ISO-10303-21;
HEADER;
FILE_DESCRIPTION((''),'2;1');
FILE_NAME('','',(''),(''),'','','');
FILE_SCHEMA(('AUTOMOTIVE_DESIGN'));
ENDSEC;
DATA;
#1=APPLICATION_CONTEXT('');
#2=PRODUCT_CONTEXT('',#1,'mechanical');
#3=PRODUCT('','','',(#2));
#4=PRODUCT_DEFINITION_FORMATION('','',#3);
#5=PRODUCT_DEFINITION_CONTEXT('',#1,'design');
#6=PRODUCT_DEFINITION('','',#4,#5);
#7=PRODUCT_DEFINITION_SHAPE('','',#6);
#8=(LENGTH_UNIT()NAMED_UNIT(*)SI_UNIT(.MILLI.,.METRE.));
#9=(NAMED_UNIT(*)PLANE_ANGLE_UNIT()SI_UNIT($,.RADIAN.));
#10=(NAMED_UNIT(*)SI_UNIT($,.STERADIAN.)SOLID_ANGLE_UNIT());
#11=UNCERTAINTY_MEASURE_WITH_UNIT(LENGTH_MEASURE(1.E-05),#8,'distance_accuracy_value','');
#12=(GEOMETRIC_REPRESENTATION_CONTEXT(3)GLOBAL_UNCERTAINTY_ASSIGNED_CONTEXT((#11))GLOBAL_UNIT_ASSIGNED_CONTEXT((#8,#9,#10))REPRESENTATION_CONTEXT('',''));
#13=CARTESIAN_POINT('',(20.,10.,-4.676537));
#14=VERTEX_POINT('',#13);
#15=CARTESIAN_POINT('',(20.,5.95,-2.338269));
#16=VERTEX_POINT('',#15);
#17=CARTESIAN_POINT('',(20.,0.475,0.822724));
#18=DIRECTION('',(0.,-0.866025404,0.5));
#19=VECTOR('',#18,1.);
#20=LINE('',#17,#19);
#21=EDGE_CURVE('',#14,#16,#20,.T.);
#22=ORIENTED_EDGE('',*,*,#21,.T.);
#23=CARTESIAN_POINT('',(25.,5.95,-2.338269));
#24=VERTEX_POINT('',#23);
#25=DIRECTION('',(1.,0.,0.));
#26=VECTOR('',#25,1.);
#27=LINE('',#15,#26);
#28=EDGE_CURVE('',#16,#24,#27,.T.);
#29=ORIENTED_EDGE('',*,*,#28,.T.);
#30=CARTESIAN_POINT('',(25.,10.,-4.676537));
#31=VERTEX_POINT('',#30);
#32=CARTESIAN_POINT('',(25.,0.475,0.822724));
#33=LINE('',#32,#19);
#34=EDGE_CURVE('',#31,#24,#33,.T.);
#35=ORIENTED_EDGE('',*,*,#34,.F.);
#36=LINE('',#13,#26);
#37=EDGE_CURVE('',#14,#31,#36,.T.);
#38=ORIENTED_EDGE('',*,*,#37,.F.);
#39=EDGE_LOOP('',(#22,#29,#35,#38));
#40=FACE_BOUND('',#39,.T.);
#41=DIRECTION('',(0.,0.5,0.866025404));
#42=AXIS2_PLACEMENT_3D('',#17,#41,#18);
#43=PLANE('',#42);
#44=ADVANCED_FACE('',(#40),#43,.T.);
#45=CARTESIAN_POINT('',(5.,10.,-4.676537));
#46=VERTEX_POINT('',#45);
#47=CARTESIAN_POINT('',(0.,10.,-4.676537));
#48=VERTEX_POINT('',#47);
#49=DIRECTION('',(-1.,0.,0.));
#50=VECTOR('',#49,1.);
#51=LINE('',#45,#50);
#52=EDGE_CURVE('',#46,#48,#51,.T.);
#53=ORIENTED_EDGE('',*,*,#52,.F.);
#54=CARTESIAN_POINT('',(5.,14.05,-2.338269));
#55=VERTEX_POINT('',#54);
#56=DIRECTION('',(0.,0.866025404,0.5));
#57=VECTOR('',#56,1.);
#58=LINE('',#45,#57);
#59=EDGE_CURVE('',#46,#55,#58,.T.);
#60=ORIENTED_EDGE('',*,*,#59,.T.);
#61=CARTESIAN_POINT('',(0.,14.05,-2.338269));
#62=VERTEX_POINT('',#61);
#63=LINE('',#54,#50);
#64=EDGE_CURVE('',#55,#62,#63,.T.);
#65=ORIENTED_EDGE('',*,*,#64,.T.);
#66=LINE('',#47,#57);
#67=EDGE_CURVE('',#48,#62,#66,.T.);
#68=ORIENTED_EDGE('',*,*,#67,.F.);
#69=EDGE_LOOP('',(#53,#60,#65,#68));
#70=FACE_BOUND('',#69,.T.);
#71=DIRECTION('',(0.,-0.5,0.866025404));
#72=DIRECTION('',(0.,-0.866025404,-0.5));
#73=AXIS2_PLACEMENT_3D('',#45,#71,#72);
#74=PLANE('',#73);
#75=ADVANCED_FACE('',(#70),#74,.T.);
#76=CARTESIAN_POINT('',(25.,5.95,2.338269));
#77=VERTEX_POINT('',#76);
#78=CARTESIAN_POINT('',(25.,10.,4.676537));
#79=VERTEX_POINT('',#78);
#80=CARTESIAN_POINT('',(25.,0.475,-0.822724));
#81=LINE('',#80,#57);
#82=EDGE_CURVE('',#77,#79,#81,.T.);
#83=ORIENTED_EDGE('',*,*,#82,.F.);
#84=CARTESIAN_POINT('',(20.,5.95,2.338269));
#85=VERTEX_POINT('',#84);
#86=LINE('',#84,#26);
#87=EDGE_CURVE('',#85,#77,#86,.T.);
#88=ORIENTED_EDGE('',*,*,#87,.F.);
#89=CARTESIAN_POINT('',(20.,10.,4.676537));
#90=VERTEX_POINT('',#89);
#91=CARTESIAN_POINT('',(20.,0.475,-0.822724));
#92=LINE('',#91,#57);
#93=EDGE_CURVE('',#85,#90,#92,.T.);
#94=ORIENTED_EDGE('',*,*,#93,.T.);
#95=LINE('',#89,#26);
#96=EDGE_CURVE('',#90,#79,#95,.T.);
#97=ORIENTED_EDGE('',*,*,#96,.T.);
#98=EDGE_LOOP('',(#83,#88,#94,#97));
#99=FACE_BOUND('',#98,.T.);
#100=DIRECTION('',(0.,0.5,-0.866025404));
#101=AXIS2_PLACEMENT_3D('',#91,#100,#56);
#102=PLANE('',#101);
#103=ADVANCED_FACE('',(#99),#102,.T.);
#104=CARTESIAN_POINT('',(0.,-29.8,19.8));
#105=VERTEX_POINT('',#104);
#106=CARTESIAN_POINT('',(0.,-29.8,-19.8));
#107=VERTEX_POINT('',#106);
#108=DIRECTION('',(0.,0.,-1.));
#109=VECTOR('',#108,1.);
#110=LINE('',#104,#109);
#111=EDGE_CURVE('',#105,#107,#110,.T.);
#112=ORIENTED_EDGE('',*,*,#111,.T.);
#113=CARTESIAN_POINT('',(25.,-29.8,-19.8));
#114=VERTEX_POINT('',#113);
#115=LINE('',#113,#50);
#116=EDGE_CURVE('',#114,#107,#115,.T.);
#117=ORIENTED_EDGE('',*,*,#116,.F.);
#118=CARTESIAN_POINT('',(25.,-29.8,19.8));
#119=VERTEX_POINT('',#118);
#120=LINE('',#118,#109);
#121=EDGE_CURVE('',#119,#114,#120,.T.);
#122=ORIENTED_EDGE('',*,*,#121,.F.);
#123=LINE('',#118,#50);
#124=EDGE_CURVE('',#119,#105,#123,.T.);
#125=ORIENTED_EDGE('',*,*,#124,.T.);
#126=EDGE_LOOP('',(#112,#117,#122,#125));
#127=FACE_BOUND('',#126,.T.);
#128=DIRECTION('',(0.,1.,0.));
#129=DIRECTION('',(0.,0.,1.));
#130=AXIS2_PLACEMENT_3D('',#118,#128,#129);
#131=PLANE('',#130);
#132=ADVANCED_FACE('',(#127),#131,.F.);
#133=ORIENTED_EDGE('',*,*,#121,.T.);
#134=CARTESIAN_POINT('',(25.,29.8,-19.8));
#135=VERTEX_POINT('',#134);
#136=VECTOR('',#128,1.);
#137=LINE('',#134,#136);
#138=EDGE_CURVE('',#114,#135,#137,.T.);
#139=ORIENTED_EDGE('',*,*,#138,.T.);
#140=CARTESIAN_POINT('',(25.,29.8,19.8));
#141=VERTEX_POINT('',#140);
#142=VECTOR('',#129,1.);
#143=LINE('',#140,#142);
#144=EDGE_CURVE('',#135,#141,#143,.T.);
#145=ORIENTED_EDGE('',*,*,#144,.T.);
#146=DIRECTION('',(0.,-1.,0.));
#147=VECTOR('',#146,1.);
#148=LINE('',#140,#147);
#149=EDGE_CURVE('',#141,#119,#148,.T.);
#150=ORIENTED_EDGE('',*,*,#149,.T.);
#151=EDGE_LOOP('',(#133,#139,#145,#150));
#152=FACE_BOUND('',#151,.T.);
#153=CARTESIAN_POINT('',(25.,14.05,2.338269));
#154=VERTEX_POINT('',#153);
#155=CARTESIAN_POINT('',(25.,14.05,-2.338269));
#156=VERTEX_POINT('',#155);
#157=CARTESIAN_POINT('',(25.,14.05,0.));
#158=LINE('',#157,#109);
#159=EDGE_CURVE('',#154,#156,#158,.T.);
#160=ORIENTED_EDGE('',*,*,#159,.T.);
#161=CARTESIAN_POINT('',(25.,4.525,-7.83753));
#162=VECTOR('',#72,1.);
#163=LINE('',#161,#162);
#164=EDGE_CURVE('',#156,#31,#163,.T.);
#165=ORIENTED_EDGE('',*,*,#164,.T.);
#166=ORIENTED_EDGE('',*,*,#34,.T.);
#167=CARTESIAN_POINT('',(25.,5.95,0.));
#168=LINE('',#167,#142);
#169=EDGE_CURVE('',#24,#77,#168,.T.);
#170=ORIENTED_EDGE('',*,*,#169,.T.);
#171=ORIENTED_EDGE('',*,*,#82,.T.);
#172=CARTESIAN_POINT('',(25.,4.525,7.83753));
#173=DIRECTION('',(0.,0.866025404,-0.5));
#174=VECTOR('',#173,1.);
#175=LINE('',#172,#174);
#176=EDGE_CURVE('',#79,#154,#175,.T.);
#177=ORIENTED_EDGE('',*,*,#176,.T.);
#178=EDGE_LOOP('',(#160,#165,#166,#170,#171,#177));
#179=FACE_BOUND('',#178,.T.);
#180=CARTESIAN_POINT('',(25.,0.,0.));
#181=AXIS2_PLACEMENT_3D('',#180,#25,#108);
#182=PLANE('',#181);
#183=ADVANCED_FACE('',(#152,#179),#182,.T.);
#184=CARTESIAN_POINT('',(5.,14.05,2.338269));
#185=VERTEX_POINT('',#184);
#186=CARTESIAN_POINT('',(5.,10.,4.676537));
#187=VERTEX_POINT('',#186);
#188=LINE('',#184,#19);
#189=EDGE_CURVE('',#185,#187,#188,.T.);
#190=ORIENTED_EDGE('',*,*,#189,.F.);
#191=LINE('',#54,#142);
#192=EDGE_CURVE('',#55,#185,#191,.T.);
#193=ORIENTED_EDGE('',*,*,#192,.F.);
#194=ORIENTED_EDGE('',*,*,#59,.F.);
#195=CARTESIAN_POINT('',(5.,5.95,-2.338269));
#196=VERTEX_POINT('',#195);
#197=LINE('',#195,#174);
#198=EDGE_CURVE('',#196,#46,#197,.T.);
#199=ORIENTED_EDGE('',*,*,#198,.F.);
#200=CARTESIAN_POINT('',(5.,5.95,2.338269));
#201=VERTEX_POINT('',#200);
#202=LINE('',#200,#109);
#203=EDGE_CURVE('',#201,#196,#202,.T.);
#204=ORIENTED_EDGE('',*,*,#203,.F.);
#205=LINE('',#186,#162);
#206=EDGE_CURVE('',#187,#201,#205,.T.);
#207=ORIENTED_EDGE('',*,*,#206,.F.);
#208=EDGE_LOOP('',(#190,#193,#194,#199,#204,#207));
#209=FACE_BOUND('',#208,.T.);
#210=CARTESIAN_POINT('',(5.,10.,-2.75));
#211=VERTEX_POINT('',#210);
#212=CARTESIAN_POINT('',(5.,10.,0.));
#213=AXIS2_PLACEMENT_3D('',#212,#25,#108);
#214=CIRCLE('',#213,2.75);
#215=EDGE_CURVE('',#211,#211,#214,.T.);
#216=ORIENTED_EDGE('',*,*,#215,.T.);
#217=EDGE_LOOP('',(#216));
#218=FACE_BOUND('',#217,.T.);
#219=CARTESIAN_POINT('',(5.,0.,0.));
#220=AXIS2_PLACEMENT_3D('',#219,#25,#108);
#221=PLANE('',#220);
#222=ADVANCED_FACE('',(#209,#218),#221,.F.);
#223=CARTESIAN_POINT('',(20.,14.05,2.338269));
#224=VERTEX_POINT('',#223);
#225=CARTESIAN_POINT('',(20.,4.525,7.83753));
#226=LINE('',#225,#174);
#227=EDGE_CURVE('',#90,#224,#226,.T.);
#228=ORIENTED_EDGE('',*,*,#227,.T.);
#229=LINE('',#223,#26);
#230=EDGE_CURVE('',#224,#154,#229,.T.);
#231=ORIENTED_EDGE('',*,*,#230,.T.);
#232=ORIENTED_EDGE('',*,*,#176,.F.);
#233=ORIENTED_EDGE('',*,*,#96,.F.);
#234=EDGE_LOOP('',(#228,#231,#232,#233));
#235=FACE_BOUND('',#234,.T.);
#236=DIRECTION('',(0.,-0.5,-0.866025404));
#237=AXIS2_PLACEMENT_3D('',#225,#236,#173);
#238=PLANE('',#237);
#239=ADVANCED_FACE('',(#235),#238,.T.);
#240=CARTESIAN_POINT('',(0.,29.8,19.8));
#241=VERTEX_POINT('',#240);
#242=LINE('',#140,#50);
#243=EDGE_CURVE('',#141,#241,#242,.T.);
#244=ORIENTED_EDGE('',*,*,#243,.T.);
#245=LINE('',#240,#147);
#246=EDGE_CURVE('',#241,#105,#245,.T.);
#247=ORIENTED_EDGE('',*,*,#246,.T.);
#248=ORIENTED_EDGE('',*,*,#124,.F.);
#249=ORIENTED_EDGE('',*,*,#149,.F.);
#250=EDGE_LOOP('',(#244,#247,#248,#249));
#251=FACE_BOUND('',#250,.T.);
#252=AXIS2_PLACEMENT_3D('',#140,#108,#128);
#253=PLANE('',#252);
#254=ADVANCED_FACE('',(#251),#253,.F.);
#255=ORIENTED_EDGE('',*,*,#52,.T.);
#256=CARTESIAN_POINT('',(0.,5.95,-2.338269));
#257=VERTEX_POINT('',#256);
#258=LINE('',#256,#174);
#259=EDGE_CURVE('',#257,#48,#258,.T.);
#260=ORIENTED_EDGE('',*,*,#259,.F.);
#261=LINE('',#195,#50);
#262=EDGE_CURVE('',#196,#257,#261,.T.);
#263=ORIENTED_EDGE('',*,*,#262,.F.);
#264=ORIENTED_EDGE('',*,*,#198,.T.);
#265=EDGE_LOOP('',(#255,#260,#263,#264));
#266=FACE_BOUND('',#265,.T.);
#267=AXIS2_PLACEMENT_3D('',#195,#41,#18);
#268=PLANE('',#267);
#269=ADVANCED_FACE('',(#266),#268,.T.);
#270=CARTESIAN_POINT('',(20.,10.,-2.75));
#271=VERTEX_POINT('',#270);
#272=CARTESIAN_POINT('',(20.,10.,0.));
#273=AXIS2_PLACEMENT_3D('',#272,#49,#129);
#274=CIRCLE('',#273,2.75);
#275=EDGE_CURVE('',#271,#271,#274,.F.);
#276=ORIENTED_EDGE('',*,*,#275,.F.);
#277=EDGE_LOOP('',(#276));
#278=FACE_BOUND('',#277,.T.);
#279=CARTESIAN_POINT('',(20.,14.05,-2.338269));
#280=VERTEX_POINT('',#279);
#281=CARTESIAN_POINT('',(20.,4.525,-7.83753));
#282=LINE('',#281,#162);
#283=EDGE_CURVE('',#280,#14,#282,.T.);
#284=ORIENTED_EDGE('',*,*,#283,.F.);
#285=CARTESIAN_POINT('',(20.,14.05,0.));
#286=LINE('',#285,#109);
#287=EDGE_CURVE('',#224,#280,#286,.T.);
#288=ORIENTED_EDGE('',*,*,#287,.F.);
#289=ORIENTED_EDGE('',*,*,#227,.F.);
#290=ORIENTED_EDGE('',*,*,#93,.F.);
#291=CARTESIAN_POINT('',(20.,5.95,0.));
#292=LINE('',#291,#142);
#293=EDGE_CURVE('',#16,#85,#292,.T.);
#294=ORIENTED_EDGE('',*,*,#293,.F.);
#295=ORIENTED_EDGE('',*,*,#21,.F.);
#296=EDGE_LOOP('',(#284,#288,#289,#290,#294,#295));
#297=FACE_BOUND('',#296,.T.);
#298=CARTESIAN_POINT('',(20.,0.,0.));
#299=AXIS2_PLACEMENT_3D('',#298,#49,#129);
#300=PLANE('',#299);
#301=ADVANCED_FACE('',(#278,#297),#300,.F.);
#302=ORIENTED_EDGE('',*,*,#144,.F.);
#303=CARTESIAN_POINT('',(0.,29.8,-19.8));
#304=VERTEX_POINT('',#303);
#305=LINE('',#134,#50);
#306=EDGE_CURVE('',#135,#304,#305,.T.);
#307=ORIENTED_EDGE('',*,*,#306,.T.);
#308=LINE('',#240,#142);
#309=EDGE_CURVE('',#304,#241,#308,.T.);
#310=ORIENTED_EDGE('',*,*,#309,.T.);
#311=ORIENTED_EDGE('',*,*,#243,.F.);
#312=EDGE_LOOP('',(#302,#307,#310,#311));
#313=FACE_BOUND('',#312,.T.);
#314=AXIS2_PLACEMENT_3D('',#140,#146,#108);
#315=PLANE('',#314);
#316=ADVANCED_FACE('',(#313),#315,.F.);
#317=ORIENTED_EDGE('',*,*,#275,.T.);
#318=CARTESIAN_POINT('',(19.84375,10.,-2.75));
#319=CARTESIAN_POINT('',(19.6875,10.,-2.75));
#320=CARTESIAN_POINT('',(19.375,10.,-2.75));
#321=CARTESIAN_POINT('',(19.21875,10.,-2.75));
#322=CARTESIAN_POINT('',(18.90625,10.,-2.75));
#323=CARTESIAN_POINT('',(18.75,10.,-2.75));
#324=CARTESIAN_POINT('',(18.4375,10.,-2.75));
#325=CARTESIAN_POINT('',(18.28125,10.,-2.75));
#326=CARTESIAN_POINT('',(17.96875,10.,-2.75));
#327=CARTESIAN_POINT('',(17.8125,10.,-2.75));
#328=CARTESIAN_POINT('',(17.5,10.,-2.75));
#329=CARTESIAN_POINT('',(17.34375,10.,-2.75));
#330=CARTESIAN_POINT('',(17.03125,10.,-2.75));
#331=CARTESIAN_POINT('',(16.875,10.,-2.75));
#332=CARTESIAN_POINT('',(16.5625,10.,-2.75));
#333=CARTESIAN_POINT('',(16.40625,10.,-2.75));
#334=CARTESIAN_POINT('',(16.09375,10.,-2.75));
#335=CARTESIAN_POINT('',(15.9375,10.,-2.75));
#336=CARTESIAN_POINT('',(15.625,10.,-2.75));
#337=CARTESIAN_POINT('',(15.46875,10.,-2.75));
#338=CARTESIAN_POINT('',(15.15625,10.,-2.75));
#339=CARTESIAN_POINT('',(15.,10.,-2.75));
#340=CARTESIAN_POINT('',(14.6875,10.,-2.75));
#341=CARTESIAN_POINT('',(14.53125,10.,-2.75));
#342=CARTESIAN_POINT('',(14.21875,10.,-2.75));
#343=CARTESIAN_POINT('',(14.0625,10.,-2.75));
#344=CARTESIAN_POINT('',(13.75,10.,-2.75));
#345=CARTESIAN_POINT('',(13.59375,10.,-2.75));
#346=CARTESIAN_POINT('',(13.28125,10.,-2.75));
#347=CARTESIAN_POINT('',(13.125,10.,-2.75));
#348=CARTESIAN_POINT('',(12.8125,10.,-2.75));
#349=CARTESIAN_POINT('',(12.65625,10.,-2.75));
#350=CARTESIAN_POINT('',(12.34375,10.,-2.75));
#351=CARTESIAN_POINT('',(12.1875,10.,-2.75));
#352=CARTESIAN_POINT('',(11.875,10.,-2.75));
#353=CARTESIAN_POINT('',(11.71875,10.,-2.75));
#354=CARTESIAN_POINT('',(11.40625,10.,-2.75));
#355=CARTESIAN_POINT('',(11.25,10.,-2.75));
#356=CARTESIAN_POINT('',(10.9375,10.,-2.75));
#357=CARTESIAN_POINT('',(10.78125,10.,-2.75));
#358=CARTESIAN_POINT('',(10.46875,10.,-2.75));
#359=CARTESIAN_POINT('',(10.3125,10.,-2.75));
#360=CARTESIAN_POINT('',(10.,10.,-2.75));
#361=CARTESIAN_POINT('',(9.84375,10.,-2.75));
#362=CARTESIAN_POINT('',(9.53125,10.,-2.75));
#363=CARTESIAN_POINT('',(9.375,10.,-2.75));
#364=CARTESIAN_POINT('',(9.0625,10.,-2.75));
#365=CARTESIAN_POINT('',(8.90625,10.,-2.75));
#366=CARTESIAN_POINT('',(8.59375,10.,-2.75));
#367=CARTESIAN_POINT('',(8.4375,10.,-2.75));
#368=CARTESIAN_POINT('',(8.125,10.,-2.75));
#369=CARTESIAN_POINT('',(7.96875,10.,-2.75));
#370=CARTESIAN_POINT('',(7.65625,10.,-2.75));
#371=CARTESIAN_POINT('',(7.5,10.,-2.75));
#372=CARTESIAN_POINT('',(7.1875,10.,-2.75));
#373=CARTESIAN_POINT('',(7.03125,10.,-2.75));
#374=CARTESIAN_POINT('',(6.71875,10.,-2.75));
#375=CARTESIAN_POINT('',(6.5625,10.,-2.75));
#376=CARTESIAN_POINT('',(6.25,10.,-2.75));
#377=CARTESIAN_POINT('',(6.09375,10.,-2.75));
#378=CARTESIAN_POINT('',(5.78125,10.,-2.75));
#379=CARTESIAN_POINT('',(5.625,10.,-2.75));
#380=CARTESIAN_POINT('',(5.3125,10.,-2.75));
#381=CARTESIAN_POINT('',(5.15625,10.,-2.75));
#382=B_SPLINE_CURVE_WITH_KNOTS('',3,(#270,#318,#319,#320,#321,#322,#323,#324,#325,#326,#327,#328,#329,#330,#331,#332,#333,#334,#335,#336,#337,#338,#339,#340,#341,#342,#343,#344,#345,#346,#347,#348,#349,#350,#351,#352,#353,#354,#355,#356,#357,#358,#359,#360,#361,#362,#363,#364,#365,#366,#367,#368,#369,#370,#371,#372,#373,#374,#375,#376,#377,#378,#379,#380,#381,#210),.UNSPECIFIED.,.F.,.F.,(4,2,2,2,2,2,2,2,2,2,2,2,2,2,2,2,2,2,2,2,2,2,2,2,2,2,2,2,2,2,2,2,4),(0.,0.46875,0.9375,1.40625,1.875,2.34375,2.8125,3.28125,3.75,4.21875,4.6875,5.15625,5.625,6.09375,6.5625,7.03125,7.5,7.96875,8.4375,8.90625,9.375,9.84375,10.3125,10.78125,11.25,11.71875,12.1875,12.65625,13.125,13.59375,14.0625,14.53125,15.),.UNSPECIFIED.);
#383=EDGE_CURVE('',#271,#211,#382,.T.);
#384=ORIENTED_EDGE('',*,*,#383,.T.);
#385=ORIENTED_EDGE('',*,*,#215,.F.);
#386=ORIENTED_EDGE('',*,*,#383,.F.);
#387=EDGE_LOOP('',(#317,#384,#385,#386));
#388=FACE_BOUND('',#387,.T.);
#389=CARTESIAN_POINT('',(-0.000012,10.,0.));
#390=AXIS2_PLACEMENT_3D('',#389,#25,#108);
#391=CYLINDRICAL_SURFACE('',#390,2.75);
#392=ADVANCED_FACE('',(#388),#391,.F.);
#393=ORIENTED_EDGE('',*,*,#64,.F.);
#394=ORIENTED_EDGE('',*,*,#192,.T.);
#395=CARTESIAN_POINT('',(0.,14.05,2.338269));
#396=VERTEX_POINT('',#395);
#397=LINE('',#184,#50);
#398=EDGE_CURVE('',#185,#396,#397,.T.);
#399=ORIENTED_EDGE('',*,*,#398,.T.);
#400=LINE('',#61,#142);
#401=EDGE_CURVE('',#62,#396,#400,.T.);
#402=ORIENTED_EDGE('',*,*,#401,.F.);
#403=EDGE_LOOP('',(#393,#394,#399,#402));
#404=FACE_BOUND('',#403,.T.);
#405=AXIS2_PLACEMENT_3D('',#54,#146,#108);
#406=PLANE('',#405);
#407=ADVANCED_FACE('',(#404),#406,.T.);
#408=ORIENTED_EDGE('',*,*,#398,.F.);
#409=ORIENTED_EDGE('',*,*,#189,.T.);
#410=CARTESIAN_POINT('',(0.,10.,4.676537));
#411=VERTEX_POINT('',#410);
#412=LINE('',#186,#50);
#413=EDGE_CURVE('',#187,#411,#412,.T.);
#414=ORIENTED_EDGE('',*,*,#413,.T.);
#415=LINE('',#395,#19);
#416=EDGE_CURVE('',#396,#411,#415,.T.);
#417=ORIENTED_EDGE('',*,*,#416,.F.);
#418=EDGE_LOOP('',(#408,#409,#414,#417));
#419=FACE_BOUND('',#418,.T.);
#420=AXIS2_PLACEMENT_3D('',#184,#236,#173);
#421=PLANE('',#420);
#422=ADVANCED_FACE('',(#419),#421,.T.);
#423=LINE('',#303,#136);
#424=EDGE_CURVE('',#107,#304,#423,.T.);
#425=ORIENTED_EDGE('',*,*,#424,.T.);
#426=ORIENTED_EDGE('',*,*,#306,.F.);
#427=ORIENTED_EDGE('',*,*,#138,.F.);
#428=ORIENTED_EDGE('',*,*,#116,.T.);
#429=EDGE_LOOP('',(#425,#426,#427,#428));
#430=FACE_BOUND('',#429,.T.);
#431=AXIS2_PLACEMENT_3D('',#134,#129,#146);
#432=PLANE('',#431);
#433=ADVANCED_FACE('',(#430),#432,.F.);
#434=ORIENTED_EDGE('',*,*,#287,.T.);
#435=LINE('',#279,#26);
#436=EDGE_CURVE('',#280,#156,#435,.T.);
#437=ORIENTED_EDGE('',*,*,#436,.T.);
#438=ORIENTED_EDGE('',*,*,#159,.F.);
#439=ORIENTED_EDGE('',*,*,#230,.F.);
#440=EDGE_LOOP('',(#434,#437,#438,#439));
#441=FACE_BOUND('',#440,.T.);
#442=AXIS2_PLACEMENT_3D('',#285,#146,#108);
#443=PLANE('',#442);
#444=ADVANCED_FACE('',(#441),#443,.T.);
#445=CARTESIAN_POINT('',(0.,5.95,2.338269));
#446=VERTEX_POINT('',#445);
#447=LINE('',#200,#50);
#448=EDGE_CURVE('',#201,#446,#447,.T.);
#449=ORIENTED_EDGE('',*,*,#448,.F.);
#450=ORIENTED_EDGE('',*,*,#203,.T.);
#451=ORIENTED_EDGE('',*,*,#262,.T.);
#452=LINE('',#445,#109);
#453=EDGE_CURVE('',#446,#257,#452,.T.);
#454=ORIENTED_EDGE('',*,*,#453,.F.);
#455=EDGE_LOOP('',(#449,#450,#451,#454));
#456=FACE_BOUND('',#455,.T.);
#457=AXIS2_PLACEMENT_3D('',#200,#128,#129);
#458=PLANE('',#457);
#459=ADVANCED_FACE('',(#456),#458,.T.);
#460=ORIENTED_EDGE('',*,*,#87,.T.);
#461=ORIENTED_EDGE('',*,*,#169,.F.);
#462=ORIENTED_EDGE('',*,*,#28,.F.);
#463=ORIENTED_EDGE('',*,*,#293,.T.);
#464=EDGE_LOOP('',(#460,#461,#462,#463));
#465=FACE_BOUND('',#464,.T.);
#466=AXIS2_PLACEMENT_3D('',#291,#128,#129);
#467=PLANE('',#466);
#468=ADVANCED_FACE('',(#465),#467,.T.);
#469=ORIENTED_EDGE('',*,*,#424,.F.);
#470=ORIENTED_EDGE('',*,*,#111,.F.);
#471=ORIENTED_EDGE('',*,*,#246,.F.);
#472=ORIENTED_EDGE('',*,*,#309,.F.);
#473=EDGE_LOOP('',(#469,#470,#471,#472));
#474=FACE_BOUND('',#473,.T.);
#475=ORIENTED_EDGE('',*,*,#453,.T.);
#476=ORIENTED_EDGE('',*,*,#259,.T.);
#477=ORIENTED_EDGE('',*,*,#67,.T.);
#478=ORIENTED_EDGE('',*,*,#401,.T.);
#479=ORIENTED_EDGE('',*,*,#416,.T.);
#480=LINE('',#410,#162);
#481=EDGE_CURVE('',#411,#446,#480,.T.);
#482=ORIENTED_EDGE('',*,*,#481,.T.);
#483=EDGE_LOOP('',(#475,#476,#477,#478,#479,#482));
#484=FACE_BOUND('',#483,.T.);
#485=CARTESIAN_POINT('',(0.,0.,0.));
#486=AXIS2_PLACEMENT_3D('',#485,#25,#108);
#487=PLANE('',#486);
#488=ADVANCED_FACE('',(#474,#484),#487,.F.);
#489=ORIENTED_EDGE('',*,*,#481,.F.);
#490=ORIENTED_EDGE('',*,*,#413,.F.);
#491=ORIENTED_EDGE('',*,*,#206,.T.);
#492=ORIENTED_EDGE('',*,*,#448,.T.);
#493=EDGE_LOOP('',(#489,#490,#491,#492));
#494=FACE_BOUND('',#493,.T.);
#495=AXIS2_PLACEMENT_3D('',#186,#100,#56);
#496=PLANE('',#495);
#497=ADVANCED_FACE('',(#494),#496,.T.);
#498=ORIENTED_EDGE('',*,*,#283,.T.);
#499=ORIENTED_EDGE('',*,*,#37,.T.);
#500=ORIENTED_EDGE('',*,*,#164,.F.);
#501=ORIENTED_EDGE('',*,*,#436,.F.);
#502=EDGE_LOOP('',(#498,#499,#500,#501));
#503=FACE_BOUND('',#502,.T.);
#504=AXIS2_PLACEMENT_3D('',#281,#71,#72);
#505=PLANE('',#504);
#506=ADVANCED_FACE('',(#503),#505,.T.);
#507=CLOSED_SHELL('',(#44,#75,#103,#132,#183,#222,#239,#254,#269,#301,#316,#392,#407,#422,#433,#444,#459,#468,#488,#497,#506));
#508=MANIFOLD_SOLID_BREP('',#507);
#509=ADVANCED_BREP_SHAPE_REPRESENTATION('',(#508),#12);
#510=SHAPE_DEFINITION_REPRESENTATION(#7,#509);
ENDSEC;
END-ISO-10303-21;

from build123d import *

# Parameters (mm, degrees)
SKETCH1_W               = 39.6
SKETCH1_H               = 59.6
BOSS_EXTRUDE1_DEPTH     = 25
CUT_EXTRUDE1_DEPTH      = 5
CUT_EXTRUDE2_DEPTH      = 44.647222134
CUT_EXTRUDE2_DEPTH_BACK = 44.647222134
SKETCH3_R               = 2.75
CUT_EXTRUDE4_START      = 25
CUT_EXTRUDE4_DEPTH      = 5


with BuildPart() as part:
    # Sketch1 → Boss-Extrude1 (new body)
    with BuildSketch(Plane(origin=(0, 0, 0), x_dir=(0, 0, -1), z_dir=(1, 0, 0))):
        Rectangle(SKETCH1_W, SKETCH1_H)
    extrude(amount=BOSS_EXTRUDE1_DEPTH)

    # Sketch2 → Cut-Extrude1 (cut)
    with BuildSketch(Plane(origin=(0, 0, 0), x_dir=(0, 0, -1), z_dir=(1, 0, 0))):
        Polygon((4.67653718, 10), (2.33826859, 14.05), (-2.33826859, 14.05), (-4.67653718, 10), (-2.33826859, 5.95), (2.33826859, 5.95), align=None)
    extrude(amount=CUT_EXTRUDE1_DEPTH, mode=Mode.SUBTRACT)

    # Sketch3 → Cut-Extrude2 (cut, two sides: drawn at the far end of the back side and taken through both)
    with BuildSketch(Plane(origin=(0, 0, 0), x_dir=(0, 0, -1), z_dir=(1, 0, 0)).offset(-CUT_EXTRUDE2_DEPTH_BACK)):
        with Locations((0, 10)):
            Circle(SKETCH3_R)
    extrude(amount=CUT_EXTRUDE2_DEPTH + CUT_EXTRUDE2_DEPTH_BACK, mode=Mode.SUBTRACT)

    # Sketch2<2> → Cut-Extrude4 (cut)
    with BuildSketch(Plane(origin=(0, 0, 0), x_dir=(0, 0, -1), z_dir=(1, 0, 0)).offset(CUT_EXTRUDE4_START)):
        Polygon((4.67653718, 10), (2.33826859, 14.05), (-2.33826859, 14.05), (-4.67653718, 10), (-2.33826859, 5.95), (2.33826859, 5.95), align=None)
    extrude(amount=-CUT_EXTRUDE4_DEPTH, mode=Mode.SUBTRACT)


solid = part.part
